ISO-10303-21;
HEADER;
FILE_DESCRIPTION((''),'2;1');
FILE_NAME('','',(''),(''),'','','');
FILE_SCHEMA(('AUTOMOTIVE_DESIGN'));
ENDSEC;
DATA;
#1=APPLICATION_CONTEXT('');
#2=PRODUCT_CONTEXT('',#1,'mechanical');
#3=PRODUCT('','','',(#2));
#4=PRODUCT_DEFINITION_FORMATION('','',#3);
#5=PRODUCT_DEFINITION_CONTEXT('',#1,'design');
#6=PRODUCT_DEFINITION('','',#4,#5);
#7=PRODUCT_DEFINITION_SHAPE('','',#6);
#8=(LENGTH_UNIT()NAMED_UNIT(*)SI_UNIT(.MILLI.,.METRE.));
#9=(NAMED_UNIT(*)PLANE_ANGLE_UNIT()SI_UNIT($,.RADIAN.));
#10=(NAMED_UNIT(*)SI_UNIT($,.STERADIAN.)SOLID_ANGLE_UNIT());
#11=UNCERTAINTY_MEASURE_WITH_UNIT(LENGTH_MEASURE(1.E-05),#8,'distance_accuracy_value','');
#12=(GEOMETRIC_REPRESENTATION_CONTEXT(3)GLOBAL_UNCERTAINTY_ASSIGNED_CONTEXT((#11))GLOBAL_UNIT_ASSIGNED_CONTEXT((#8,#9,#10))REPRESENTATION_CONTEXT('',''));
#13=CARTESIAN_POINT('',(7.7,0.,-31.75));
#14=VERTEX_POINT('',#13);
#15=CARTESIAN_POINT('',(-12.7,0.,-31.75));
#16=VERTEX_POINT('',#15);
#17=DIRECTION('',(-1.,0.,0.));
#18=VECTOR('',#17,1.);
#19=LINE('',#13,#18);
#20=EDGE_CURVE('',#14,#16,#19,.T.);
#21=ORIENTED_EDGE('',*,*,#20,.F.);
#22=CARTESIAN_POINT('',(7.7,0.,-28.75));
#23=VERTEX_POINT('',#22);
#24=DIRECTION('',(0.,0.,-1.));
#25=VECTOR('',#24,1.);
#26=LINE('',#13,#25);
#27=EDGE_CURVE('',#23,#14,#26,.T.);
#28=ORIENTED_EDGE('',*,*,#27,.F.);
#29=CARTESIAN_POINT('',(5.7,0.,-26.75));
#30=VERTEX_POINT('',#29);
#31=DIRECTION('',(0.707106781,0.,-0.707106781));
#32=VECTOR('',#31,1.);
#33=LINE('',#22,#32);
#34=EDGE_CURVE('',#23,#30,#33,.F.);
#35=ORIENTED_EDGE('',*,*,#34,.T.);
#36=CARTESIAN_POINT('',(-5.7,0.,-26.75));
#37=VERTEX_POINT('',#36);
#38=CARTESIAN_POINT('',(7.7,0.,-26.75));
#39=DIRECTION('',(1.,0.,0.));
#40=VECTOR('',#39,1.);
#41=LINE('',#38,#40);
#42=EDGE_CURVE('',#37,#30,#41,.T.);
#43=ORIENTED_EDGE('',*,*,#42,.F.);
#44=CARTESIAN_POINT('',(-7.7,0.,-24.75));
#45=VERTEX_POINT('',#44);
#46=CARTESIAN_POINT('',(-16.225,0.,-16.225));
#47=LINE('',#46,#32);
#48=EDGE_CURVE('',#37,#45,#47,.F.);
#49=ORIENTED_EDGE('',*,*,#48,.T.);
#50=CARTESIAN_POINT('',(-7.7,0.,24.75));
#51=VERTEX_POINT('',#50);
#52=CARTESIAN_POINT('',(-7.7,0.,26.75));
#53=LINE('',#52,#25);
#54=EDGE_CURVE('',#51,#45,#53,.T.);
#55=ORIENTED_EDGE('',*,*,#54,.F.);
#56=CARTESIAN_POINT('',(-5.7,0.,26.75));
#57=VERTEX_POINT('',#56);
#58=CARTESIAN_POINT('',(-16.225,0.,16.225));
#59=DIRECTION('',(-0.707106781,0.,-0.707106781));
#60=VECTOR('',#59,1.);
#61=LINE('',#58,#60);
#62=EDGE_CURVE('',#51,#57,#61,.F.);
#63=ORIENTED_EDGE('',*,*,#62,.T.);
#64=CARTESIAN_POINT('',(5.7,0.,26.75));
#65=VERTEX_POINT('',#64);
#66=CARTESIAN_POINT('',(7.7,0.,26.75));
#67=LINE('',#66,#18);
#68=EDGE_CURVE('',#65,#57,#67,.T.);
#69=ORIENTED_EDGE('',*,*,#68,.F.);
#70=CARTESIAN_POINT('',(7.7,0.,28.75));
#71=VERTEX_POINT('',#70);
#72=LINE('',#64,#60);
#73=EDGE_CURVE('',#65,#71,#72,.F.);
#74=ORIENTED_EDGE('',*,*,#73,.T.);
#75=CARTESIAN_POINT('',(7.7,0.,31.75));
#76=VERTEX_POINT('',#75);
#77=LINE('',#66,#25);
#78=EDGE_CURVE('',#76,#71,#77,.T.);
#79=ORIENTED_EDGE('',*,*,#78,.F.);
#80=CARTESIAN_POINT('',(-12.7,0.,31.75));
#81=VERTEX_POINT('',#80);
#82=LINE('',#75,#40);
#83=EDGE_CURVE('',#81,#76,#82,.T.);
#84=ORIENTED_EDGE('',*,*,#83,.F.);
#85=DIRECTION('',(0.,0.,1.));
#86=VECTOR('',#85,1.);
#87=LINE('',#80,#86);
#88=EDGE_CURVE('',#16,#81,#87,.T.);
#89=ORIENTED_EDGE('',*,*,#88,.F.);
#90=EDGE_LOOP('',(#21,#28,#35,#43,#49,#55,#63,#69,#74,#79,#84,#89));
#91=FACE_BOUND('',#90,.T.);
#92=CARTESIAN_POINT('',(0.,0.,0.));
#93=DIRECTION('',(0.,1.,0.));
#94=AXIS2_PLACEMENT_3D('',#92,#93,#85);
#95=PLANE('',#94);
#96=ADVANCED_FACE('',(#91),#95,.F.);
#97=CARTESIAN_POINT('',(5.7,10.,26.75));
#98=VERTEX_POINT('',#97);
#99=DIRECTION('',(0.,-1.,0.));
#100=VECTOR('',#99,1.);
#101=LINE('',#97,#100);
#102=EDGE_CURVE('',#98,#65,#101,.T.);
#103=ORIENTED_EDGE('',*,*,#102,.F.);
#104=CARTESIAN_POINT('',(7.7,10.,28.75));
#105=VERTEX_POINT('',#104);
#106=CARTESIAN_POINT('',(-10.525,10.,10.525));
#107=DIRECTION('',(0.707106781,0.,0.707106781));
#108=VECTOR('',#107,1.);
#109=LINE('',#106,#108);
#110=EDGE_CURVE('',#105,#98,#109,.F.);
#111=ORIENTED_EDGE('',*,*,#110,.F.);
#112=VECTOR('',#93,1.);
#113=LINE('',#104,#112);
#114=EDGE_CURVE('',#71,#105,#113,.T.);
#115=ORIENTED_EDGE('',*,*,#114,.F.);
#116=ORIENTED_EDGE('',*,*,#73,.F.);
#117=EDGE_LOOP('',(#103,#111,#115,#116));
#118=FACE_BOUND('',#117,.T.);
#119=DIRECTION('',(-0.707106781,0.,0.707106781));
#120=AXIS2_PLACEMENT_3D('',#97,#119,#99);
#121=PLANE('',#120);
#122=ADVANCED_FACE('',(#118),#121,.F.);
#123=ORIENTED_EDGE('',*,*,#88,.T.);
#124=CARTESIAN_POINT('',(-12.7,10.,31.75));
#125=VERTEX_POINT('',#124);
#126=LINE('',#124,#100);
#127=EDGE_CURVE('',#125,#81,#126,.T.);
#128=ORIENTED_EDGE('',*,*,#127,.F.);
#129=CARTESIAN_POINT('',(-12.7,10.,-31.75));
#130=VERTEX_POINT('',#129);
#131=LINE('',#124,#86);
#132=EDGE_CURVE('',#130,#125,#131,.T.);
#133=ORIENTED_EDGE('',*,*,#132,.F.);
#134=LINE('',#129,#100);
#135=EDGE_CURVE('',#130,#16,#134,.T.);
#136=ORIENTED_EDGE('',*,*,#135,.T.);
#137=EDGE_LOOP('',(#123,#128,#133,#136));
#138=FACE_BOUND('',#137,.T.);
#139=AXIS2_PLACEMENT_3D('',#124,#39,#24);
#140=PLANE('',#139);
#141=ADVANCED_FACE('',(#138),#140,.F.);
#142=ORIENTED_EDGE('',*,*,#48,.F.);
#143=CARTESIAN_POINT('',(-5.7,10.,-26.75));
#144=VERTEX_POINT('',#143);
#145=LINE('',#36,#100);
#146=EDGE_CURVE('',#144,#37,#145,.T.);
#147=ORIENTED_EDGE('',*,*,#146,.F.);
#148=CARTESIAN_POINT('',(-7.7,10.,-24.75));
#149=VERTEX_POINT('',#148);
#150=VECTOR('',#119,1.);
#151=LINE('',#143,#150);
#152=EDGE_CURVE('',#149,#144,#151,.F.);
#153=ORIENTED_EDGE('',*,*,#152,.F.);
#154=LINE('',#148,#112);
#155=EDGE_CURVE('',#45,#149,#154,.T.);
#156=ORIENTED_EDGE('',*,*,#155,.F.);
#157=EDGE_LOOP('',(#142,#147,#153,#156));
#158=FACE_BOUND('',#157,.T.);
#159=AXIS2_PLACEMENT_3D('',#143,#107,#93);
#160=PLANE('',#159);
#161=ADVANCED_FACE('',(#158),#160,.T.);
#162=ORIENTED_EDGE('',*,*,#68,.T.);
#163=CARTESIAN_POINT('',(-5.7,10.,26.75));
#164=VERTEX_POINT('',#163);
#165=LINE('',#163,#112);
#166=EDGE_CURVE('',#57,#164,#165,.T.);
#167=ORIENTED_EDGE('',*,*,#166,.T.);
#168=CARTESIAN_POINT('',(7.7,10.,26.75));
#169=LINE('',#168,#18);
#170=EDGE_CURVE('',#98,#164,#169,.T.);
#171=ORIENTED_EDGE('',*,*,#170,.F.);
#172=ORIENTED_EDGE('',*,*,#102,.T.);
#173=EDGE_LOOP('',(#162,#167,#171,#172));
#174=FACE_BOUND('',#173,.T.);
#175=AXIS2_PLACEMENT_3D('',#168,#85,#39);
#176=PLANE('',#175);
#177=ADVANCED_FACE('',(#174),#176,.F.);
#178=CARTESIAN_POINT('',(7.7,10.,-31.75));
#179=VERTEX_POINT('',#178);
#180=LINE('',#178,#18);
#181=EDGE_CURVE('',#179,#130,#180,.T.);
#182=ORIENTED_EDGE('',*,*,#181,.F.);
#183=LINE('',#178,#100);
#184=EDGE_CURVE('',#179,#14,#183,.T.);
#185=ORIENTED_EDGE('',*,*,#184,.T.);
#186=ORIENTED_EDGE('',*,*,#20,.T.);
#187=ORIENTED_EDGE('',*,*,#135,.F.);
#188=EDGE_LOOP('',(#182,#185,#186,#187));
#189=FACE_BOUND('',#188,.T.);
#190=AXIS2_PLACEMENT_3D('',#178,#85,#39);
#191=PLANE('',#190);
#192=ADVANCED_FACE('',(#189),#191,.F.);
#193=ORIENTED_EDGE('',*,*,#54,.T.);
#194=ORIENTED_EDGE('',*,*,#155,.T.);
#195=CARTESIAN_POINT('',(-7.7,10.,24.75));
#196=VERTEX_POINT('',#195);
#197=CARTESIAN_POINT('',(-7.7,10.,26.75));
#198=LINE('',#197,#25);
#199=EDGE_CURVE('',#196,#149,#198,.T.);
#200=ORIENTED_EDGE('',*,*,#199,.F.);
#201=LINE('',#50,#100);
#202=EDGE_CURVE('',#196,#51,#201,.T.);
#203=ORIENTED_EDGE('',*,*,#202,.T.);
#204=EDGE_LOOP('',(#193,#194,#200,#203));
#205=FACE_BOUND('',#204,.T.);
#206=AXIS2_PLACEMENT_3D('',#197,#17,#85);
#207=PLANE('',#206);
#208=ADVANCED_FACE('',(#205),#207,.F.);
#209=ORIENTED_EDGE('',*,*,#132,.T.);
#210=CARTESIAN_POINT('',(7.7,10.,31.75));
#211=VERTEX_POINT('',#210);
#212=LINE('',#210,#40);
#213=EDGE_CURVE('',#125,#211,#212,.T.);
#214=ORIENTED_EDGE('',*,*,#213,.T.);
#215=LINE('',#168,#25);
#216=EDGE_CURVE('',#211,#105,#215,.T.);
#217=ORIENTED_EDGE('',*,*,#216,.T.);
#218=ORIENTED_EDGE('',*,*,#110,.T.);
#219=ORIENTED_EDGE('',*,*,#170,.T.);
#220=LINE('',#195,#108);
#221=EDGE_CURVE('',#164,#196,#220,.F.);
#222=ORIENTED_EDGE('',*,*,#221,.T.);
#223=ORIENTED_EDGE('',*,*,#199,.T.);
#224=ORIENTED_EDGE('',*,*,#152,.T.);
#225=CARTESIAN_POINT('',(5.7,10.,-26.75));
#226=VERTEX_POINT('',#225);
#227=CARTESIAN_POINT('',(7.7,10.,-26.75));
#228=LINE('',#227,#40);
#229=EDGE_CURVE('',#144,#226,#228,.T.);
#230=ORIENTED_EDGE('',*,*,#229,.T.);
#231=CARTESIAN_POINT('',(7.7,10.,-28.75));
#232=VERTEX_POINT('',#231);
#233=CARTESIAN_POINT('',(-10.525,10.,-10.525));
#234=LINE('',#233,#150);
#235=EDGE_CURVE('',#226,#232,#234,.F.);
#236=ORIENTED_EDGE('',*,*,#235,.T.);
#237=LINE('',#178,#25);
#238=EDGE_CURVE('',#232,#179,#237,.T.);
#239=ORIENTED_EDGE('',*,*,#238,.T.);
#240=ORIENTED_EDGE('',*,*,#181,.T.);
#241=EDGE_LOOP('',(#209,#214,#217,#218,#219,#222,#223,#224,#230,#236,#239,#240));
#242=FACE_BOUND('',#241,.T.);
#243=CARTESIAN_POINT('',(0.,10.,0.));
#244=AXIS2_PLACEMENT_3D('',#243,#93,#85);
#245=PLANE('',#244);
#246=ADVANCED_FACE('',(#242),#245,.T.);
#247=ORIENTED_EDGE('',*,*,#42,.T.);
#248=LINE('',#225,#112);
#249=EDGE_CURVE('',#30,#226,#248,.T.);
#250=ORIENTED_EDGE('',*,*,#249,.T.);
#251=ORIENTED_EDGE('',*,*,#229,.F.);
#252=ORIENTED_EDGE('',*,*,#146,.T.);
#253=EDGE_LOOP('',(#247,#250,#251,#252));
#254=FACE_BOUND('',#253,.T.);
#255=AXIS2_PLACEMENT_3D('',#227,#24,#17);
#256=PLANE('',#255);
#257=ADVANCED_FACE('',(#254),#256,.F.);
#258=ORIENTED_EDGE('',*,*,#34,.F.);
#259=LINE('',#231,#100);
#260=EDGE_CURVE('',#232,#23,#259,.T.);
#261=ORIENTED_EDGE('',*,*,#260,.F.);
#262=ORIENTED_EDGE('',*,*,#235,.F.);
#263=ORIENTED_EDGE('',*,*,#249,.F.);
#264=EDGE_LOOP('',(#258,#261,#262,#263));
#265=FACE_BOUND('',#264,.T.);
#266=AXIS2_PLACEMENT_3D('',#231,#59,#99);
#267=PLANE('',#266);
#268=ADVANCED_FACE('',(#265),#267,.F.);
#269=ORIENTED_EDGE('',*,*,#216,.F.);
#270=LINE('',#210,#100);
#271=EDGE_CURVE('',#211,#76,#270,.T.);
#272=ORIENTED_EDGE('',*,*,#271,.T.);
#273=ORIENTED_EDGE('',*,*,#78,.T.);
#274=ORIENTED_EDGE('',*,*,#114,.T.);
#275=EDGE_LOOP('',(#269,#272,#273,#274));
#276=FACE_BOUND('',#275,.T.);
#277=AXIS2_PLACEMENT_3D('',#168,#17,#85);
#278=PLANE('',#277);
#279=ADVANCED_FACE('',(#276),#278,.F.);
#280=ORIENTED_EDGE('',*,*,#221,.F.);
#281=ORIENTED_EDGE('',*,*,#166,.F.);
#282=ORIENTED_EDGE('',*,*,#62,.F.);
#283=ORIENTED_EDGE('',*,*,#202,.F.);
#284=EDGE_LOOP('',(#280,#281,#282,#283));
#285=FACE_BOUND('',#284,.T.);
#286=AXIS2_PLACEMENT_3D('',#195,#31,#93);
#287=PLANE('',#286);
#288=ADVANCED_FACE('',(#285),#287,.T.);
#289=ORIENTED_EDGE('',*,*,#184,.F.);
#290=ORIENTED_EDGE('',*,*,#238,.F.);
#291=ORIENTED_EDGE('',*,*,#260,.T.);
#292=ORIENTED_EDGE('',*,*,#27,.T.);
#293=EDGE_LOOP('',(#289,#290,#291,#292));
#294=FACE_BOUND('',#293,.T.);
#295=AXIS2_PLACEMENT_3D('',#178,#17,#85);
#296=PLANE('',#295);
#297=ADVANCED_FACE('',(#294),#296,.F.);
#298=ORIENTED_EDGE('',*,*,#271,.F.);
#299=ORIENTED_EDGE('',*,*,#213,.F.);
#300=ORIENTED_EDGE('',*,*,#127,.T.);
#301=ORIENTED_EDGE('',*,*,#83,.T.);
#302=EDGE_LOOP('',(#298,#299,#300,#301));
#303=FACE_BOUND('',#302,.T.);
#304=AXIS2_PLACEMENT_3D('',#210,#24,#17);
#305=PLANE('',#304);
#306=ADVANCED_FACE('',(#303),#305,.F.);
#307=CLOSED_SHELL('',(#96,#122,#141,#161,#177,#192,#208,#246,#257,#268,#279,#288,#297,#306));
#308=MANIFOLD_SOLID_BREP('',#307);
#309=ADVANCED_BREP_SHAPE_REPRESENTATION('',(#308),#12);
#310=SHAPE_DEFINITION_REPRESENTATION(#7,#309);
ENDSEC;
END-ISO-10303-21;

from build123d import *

# Parameters (mm, degrees)
BOSS_EXTRUDE1_DEPTH = 10
CHAMFER1_SIZE       = 2


with BuildPart() as part:
    # Sketch1 → Boss-Extrude1 (new body)
    with BuildSketch(Plane(origin=(0, 0, 0), x_dir=(1, 0, 0), z_dir=(0, 1, 0))):
        Polygon((7.7, 26.75), (-7.7, 26.75), (-7.7, -26.75), (7.7, -26.75), (7.7, -31.75), (-12.7, -31.75), (-12.7, 31.75), (7.7, 31.75), align=None)
    extrude(amount=BOSS_EXTRUDE1_DEPTH)

    # Chamfer1
    chamfer1_edges = [part.edges().sort_by_distance(p)[0] for p in [
        (7.7, 5, -26.75),
        (-7.7, 5, -26.75),
        (-7.7, 5, 26.75),
        (7.7, 5, 26.75),
    ]]
    chamfer(chamfer1_edges, length=CHAMFER1_SIZE)


solid = part.part
